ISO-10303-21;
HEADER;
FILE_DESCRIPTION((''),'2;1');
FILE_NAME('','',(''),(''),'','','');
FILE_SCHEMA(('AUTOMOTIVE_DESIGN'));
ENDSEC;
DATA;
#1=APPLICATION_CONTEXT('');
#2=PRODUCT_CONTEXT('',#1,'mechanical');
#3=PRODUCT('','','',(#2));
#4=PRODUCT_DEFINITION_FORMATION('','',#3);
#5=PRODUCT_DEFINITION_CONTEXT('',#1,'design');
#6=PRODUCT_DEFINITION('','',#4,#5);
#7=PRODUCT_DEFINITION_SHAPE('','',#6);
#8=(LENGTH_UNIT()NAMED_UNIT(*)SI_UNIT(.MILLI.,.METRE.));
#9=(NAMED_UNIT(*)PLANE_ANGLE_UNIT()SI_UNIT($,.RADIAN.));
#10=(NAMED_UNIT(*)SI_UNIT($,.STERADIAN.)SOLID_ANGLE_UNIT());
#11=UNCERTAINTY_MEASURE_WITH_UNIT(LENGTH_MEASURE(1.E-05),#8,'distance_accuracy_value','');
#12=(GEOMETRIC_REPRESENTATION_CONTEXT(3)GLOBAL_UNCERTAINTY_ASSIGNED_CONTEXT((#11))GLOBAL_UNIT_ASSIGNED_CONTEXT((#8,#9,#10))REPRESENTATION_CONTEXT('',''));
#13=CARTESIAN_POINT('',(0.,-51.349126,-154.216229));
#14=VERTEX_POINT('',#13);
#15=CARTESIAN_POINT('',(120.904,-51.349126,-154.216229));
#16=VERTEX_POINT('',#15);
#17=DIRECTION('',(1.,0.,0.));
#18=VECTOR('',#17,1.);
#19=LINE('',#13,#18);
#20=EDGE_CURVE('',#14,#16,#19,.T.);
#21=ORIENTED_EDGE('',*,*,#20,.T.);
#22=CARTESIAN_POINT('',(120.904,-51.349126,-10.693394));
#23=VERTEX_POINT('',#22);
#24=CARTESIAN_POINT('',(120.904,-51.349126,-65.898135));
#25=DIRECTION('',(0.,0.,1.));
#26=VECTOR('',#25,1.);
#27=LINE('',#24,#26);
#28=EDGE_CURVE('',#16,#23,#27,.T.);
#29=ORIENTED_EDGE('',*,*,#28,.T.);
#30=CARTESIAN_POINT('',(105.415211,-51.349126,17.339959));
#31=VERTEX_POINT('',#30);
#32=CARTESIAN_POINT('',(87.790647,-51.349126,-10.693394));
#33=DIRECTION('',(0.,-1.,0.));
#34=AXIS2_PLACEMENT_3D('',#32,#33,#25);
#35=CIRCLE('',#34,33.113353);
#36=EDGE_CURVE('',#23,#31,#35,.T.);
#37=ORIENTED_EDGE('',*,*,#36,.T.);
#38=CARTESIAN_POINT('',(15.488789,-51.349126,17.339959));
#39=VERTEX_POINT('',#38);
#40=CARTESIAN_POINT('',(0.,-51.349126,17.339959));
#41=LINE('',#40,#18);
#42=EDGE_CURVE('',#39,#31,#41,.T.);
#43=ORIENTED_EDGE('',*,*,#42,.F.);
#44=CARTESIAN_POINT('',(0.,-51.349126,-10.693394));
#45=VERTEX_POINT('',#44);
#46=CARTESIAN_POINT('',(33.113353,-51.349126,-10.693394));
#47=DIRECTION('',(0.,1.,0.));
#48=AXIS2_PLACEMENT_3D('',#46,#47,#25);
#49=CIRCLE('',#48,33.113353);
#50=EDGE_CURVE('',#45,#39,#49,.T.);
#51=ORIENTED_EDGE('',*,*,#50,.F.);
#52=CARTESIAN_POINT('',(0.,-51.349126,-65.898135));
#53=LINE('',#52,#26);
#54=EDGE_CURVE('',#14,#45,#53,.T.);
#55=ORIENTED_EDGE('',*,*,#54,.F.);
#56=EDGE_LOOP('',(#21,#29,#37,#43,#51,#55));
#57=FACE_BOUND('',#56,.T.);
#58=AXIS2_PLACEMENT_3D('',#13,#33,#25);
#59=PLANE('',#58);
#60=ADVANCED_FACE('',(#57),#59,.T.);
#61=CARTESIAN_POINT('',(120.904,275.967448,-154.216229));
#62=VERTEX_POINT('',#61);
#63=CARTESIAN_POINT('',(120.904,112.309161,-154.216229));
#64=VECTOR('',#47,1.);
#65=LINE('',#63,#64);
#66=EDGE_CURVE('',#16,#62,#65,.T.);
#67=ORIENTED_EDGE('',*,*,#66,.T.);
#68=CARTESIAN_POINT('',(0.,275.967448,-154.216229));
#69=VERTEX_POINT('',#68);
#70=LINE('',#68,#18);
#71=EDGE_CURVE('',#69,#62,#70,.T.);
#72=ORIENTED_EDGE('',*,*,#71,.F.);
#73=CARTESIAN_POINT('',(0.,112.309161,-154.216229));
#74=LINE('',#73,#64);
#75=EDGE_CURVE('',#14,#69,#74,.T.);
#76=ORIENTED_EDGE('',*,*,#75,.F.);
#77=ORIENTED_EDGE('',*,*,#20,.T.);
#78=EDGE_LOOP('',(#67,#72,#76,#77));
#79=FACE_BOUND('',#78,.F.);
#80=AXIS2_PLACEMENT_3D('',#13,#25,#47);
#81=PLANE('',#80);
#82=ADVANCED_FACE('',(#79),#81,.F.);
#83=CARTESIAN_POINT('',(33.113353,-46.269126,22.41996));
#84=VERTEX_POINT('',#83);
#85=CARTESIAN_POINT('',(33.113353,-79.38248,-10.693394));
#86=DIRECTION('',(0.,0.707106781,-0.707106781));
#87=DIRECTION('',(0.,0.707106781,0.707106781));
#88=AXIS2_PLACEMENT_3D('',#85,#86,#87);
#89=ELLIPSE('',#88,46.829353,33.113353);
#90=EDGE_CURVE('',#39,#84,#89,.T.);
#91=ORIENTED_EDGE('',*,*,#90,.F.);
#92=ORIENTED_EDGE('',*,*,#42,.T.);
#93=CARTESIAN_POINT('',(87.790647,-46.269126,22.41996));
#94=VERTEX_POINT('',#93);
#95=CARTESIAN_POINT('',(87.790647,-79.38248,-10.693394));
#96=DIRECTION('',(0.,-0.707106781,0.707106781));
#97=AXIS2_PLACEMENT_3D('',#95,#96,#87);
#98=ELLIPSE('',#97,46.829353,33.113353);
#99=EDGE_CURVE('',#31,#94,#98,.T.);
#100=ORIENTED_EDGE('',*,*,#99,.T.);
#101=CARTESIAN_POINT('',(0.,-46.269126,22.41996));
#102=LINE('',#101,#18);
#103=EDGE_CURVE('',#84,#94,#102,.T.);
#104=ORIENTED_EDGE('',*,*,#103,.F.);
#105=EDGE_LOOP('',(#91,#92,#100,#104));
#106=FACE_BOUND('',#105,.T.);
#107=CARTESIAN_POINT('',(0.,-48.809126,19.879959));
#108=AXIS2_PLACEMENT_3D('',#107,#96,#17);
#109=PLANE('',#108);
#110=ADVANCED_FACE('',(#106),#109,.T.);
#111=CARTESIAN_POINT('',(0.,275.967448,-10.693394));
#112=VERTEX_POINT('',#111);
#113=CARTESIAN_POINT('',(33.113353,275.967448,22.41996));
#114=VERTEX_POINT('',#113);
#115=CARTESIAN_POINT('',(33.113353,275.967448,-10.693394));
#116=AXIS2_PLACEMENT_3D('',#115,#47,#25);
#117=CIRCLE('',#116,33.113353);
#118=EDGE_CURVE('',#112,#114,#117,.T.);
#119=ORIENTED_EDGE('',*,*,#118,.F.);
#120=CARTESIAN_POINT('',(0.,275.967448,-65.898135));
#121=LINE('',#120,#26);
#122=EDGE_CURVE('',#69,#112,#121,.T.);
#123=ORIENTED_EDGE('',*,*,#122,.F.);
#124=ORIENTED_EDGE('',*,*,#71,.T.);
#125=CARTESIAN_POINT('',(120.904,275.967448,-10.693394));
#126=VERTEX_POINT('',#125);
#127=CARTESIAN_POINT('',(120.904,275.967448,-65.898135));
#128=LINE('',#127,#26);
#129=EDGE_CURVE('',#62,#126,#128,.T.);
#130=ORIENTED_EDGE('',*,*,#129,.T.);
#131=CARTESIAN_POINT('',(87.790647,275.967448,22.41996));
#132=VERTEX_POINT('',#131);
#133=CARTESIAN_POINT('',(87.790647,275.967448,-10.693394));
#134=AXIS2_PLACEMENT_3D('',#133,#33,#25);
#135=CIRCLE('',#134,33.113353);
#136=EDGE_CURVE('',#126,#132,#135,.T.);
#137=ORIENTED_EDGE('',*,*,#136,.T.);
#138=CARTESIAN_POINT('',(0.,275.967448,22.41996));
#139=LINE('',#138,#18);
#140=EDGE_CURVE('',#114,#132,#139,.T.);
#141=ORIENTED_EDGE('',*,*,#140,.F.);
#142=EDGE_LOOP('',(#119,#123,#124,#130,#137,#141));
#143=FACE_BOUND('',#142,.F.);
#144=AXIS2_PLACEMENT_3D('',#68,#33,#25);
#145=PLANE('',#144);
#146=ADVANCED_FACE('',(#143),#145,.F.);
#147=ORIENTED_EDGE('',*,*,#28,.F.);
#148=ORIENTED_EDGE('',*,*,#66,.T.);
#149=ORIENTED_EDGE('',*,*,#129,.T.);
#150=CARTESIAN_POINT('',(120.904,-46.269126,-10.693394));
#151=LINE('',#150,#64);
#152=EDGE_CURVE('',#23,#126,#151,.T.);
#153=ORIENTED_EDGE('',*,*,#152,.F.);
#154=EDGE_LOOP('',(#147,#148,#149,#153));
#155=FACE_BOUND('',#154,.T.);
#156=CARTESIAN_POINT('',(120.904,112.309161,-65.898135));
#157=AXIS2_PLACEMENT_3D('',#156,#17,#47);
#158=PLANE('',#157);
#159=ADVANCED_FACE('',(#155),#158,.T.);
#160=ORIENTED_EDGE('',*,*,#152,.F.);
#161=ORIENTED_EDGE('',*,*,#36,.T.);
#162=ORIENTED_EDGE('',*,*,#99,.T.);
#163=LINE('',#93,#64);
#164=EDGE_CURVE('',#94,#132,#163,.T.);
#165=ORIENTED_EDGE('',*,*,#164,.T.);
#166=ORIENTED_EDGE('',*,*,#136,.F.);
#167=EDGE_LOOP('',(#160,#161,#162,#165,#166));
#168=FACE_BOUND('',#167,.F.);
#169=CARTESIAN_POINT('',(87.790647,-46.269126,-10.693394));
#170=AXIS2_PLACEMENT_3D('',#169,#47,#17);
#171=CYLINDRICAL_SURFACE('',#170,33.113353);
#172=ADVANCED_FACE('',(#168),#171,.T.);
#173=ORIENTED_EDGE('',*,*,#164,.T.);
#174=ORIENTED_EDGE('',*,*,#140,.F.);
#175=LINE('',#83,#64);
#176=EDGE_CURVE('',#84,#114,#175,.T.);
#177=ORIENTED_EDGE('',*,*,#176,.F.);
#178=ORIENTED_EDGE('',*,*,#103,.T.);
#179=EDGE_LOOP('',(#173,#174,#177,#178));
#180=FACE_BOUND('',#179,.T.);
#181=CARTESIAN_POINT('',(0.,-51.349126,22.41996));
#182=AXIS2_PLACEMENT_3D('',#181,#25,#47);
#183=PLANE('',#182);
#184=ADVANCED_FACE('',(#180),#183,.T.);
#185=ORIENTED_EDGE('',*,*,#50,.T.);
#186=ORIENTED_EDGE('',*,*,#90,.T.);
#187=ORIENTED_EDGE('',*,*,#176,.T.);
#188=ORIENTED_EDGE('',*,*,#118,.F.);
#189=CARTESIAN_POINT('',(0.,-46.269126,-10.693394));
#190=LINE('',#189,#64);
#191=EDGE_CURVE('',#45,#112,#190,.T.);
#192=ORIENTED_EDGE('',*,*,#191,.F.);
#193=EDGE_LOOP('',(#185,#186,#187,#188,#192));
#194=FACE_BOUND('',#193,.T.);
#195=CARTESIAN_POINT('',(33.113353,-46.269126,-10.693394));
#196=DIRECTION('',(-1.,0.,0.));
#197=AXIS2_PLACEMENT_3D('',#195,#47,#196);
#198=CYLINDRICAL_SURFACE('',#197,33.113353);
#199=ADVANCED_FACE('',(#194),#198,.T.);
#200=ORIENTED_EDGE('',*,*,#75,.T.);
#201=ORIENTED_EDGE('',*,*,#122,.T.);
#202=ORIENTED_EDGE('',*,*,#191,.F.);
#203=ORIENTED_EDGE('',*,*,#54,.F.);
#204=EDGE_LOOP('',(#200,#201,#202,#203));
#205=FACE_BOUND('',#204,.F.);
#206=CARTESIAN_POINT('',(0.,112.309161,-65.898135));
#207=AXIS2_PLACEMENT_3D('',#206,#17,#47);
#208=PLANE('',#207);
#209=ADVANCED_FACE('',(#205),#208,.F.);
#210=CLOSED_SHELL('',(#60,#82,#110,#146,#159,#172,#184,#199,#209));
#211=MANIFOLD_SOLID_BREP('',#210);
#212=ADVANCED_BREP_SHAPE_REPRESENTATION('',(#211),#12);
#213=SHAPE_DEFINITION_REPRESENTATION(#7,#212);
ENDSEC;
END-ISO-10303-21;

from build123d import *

# Parameters (mm, degrees)
F0_W     = 327.316575
F0_H     = 176.636189
F1_DEPTH = 120.904
F2_SIZE  = 5.08
F3_R     = 33.113353


with BuildPart() as f1:
    # F0 (on Right) → F1 (new body)
    with BuildSketch(Plane.YZ):
        with Locations((112.309161, -65.898135)):
            Rectangle(F0_W, F0_H)
    extrude(amount=F1_DEPTH)

    # F2
    f2_edges = [f1.edges().sort_by_distance(p)[0] for p in [
        (60.452, -51.349126, 22.419959),
    ]]
    chamfer(f2_edges, length=F2_SIZE)

    # F3
    f3_edges = [f1.edges().sort_by_distance(p)[0] for p in [
        (120.904, 114.849162, 22.419959),
        (0, 114.849162, 22.419959),
    ]]
    fillet(f3_edges, radius=F3_R)


solid = f1.part
